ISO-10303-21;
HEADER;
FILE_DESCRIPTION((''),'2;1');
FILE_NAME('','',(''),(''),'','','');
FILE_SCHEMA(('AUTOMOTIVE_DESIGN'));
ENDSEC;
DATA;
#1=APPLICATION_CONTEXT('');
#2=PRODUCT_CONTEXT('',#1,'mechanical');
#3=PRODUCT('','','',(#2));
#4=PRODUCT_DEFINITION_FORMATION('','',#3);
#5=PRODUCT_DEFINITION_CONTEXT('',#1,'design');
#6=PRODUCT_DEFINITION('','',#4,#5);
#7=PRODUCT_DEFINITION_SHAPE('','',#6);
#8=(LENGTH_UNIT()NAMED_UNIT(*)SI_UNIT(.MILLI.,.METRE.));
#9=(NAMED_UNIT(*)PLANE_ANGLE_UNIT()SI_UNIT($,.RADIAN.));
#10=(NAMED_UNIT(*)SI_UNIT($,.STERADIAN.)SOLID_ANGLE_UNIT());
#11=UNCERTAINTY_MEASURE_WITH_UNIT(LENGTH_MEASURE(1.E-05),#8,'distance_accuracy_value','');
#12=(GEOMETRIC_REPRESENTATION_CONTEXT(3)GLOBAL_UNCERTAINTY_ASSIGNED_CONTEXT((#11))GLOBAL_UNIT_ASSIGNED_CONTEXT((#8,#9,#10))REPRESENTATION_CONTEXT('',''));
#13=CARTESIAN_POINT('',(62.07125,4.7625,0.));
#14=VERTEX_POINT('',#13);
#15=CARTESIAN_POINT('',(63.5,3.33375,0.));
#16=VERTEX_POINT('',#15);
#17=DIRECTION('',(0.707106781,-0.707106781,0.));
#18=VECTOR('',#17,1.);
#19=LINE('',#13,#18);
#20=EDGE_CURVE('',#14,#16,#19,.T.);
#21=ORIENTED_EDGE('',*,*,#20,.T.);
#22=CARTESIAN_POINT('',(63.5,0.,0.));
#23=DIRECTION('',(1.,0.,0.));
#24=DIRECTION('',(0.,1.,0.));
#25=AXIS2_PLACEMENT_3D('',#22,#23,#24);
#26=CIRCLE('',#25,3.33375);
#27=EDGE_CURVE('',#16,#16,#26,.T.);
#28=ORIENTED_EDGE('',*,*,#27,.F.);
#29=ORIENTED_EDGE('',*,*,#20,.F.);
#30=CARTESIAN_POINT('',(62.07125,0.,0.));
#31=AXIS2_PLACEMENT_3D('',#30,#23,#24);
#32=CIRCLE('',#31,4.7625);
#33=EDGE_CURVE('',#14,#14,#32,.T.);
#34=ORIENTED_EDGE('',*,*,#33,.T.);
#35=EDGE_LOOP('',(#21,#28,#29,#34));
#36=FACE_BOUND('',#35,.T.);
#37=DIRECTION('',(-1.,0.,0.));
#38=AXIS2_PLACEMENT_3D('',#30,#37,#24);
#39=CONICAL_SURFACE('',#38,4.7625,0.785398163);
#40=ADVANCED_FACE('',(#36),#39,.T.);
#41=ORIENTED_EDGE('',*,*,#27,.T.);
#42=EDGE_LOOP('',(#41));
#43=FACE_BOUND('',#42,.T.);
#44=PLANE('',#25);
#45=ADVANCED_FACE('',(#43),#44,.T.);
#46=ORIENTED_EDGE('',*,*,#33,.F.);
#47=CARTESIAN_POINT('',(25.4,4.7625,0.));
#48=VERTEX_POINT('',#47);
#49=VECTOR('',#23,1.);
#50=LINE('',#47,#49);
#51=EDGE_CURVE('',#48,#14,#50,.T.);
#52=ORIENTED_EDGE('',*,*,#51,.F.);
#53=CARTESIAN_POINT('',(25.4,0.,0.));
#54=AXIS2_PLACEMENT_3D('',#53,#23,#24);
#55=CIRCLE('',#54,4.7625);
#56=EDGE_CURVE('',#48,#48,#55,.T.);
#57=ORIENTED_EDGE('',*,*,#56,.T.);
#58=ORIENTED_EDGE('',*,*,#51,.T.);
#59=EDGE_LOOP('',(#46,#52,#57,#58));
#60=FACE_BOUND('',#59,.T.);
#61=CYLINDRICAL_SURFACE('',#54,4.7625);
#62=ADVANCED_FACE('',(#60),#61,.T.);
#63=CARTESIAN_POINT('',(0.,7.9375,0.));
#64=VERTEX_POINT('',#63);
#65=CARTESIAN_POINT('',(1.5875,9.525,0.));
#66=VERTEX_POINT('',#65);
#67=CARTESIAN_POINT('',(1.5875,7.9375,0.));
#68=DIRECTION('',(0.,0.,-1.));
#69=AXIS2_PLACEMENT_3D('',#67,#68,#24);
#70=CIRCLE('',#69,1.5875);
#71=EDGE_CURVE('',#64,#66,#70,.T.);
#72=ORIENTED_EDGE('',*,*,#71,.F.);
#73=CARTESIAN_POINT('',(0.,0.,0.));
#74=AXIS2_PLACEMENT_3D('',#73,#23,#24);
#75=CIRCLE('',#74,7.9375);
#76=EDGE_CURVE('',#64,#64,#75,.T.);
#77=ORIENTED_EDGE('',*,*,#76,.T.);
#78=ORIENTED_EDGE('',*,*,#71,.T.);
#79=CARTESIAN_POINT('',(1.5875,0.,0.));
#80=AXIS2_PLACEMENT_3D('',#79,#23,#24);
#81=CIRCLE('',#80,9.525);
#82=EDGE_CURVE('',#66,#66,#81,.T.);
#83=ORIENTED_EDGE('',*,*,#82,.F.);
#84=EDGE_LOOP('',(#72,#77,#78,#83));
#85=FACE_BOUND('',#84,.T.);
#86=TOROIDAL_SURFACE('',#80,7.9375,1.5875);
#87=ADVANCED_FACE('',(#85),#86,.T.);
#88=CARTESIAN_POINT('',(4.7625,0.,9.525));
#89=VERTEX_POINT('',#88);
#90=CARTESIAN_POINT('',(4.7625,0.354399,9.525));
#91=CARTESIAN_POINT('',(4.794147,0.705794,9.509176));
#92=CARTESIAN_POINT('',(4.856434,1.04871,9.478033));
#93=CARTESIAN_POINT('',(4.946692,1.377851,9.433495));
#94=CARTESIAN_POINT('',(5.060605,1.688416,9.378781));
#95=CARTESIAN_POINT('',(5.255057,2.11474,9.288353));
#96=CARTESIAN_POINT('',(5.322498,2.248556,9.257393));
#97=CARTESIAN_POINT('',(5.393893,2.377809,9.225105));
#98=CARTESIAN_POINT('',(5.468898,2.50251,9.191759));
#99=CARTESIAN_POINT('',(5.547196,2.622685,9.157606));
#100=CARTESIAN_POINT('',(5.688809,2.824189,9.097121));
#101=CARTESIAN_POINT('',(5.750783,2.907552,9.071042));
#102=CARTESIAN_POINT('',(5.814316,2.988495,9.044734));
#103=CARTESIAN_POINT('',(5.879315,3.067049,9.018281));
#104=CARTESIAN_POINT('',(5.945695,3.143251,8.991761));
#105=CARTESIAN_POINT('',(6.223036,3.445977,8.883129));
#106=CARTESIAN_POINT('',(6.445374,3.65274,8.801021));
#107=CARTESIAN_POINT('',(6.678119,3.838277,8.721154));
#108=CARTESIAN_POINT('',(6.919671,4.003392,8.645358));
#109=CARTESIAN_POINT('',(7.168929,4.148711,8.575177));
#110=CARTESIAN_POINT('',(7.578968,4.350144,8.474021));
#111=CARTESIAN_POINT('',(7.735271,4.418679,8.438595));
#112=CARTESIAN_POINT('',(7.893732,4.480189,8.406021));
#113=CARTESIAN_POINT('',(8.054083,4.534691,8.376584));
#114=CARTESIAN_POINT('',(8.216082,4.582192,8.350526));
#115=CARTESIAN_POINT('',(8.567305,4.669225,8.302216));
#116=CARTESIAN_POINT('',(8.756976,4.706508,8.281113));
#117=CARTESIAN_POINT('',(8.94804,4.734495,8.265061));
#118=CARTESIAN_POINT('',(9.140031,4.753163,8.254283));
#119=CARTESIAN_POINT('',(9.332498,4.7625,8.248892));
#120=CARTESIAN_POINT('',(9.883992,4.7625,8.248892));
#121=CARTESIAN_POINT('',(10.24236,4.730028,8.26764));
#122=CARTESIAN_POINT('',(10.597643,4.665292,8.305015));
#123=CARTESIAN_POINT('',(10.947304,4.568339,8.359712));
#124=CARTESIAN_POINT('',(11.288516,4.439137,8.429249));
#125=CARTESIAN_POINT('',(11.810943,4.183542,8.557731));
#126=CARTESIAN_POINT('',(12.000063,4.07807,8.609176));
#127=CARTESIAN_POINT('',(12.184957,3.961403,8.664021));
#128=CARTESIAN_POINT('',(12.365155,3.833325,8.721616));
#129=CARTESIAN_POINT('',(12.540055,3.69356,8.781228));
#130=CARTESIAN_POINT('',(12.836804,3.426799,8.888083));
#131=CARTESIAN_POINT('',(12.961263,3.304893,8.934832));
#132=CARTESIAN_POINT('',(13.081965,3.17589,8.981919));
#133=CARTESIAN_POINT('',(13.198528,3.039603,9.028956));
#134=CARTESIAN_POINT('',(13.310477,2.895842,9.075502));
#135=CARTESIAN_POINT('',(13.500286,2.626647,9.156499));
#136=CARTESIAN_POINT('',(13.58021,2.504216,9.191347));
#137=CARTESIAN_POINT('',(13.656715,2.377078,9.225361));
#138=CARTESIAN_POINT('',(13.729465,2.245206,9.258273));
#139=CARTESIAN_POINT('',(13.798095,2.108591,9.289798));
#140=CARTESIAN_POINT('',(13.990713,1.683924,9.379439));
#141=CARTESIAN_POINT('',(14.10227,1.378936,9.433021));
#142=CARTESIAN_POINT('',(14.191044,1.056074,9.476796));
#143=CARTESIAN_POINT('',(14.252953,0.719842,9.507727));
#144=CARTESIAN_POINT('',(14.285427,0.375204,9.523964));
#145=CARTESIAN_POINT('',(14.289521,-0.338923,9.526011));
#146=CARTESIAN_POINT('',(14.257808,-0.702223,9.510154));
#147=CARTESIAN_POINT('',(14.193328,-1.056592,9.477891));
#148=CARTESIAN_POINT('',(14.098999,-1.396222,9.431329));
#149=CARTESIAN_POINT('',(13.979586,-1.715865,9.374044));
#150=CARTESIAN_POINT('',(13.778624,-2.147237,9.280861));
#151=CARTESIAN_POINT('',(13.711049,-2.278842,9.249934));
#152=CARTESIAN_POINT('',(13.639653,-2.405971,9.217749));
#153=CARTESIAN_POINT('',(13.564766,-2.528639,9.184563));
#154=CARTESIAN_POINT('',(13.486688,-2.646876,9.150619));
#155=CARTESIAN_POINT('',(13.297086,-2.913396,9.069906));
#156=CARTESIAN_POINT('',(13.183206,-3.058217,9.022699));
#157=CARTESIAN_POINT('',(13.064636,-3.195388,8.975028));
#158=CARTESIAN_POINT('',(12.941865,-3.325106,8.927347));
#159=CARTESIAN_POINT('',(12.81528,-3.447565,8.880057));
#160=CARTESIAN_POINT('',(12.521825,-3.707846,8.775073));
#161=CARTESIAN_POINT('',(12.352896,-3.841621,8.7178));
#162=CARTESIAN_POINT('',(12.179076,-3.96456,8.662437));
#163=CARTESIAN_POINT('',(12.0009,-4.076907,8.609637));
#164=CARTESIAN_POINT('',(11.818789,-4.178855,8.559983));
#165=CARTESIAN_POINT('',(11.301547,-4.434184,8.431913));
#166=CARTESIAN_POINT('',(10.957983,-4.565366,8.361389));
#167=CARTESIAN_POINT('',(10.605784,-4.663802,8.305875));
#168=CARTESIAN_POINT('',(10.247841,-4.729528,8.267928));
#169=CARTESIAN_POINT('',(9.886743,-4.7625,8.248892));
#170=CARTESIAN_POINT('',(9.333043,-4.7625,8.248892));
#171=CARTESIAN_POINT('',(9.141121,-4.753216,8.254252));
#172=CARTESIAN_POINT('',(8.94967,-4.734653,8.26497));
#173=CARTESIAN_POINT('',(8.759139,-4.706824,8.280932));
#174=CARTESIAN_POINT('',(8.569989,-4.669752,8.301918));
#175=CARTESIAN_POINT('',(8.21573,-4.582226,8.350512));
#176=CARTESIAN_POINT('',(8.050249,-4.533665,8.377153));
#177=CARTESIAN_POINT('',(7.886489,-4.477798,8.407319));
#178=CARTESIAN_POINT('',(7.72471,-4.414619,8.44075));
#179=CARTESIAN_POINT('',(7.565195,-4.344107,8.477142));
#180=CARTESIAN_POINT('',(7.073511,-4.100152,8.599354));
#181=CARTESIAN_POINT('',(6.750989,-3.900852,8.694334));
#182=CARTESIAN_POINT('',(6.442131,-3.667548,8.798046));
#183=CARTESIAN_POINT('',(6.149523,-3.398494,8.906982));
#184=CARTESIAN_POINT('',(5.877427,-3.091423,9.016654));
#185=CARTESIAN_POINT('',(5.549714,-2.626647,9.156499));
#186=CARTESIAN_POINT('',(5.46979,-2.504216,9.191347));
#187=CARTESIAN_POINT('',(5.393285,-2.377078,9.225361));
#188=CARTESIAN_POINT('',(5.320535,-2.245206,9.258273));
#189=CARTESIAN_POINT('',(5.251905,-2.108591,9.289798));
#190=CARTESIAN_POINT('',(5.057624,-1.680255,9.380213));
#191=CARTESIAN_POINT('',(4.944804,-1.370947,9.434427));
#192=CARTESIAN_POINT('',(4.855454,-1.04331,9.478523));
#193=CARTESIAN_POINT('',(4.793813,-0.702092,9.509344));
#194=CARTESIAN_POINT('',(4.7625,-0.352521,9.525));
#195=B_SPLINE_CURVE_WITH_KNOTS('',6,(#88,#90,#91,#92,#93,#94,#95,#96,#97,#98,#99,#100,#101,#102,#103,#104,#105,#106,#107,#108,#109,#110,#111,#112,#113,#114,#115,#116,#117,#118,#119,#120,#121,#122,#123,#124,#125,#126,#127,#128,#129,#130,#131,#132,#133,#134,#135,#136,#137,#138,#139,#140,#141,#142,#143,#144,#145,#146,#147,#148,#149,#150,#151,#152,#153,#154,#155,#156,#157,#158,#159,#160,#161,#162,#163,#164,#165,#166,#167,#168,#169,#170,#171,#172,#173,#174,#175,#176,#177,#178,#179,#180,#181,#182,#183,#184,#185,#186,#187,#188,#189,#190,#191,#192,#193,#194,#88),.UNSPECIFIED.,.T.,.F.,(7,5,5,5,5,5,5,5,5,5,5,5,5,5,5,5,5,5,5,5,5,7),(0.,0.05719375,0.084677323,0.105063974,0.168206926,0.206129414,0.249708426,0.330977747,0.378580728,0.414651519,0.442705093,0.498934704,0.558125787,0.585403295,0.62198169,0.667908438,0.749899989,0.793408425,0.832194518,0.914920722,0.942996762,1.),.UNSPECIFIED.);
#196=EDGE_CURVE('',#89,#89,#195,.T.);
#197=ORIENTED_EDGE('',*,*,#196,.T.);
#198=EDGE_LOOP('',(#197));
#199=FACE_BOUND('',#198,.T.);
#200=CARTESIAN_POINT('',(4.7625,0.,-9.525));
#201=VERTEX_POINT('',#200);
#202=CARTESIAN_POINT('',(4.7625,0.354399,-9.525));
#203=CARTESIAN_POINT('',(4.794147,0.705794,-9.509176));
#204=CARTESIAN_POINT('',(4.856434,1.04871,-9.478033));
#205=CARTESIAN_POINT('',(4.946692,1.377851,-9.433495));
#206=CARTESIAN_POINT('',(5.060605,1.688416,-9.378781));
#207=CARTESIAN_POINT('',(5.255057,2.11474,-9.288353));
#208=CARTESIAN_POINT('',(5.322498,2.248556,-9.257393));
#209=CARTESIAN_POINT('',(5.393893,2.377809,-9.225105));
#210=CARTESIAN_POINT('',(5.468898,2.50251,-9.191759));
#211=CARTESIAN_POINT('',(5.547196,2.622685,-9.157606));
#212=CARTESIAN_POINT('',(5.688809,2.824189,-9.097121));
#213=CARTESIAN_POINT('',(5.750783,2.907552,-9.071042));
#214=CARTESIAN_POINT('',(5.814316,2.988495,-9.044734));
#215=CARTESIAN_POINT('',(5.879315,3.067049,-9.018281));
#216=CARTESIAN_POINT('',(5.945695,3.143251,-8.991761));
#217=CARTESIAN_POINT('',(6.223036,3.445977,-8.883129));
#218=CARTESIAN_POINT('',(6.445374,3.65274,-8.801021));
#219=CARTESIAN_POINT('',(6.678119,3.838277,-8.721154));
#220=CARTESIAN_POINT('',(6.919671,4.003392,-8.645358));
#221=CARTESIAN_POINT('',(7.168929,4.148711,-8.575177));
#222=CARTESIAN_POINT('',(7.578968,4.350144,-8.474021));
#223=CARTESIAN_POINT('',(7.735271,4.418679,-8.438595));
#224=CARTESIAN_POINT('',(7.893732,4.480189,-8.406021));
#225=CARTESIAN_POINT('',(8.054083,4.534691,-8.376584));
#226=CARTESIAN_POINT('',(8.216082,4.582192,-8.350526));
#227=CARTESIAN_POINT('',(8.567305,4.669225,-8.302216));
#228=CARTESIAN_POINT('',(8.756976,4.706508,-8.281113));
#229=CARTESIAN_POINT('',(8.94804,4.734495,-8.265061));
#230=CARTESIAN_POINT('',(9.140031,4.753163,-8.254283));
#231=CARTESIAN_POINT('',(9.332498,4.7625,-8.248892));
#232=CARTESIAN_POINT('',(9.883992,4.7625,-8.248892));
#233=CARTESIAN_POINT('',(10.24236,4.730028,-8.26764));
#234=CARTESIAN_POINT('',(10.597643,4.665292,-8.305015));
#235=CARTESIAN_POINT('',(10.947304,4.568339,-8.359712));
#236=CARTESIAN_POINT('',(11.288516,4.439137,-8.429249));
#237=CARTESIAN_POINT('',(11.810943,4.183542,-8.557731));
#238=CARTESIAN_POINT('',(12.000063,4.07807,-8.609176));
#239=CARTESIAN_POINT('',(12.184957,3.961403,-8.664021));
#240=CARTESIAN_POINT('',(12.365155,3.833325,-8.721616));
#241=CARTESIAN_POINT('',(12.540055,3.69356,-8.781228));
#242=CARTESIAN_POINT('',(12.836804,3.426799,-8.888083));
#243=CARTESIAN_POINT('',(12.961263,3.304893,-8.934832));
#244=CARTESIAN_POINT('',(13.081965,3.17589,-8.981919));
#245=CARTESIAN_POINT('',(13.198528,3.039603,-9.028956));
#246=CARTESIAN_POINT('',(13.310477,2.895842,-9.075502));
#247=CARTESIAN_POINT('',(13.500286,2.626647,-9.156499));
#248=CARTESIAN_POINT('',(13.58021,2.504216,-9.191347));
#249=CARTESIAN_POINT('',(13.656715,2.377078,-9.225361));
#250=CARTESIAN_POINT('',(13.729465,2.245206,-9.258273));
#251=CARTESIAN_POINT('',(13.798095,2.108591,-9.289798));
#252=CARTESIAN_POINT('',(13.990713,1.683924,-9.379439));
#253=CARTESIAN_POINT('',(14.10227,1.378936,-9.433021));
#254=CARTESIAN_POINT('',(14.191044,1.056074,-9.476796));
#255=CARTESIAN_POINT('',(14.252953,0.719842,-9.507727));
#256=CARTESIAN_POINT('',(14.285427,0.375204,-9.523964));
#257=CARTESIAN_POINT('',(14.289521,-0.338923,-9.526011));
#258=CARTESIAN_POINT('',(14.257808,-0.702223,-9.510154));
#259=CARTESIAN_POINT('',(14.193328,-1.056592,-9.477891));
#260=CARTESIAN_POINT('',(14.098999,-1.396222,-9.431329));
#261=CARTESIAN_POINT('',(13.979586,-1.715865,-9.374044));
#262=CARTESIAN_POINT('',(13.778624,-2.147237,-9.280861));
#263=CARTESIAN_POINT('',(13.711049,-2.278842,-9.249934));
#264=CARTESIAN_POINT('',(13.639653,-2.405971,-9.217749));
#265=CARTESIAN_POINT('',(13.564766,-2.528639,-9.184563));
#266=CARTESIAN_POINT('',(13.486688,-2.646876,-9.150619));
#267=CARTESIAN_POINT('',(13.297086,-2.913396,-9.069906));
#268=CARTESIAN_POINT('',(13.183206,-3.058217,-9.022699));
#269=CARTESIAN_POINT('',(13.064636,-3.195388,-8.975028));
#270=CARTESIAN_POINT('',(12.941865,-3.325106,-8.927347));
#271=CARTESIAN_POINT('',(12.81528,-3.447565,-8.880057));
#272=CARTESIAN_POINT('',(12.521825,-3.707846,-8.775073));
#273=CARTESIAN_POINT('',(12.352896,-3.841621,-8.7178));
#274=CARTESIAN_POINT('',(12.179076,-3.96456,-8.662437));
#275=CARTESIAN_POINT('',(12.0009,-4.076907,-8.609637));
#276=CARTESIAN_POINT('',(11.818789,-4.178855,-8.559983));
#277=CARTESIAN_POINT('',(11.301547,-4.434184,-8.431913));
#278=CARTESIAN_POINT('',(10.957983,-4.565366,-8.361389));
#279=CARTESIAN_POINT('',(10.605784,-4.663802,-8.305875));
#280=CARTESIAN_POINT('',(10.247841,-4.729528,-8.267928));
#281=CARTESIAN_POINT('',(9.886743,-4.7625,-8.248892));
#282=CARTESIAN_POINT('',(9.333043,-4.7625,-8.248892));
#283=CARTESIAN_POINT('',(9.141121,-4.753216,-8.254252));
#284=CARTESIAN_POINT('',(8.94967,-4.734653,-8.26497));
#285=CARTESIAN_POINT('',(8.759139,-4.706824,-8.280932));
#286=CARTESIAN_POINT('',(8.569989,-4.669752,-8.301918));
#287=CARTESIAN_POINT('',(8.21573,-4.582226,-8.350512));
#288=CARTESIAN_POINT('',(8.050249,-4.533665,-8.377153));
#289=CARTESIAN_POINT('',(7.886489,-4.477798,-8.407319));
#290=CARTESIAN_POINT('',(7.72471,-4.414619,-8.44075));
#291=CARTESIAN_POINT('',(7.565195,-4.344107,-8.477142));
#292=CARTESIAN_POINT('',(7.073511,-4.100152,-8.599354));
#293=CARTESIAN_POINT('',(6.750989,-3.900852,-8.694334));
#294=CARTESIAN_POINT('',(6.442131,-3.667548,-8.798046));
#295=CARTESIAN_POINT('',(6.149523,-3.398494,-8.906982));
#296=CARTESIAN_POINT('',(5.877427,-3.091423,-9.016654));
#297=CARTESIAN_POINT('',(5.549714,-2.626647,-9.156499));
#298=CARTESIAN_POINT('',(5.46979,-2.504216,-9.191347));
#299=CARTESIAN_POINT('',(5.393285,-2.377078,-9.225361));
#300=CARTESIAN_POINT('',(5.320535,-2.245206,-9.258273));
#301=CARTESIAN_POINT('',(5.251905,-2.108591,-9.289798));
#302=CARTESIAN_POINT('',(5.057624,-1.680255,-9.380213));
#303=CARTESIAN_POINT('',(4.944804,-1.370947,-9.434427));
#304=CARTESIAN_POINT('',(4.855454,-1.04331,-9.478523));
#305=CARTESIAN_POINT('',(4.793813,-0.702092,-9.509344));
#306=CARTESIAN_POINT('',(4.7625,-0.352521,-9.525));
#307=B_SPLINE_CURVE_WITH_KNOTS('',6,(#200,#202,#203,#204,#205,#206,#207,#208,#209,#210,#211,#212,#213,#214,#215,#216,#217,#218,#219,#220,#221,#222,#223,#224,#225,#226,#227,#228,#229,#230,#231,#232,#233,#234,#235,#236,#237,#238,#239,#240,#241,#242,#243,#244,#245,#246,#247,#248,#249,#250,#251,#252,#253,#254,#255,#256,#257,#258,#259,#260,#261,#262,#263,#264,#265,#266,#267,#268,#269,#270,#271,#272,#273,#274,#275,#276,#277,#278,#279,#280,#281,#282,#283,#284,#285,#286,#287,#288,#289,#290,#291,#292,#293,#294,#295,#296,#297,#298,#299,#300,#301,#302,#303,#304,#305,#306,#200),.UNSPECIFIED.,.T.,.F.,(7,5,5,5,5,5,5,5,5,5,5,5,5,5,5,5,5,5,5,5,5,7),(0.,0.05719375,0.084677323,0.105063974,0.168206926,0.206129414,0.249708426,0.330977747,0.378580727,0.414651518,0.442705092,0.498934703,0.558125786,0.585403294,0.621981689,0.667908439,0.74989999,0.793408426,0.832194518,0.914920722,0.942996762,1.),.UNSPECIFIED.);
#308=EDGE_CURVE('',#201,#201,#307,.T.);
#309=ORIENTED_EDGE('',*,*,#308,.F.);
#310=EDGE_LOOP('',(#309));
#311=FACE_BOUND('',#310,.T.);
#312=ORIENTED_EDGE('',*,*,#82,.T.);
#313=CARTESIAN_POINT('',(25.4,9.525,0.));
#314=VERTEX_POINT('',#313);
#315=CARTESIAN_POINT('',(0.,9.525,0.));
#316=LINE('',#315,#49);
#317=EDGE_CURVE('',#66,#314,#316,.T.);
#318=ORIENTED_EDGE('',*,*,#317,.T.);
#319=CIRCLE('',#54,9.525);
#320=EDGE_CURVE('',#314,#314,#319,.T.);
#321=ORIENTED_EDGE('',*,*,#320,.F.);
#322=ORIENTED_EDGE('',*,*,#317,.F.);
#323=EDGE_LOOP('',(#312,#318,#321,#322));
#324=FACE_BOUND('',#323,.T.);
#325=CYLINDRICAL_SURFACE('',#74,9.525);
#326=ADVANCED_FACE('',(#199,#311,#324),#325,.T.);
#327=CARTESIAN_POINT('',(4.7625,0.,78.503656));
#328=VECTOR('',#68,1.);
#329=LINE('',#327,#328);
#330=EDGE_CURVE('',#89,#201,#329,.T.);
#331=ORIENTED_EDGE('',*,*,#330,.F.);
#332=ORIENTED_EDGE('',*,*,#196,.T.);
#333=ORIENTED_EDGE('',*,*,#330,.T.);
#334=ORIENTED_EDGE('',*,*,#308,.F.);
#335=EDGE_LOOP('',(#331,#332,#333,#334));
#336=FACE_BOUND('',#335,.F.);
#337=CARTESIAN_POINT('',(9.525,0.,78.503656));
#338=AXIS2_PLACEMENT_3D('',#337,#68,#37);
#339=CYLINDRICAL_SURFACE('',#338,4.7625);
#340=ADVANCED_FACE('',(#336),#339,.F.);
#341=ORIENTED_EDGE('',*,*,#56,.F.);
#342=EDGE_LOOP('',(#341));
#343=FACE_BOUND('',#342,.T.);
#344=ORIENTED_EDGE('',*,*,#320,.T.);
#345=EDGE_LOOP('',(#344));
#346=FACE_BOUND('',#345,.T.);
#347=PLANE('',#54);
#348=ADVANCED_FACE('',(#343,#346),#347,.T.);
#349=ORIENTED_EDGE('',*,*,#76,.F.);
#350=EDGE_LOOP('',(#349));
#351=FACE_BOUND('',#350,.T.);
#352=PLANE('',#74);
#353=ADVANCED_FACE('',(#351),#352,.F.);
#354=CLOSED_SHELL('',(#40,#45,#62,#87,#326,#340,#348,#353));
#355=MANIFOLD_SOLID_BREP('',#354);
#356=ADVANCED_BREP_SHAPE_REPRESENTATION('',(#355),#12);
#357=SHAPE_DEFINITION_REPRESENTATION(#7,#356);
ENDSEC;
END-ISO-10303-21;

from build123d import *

# Parameters (mm, degrees)
F_3_8_0_3750_DOWEL_HOLE1_D = 9.525
FILLET2_R                  = 1.5875
CHAMFER3_SIZE              = 1.42875


with BuildPart() as part:
    # Sketch1 → Revolve1 (revolve)
    with BuildSketch(Plane.XY):
        Polygon((0, 0), (0, 9.525), (25.4, 9.525), (25.4, 4.7625), (63.5, 4.7625), (63.5, 0), align=None)
    revolve(axis=Axis((0, 0, 0), (1, 0, 0)))

    # 3/8 (0.3750) Dowel Hole1 (through all)
    with Locations(Plane.XY.offset(9.525)):
        with Locations((9.525, 0)):
            Hole(F_3_8_0_3750_DOWEL_HOLE1_D / 2)

    # Fillet2
    fillet2_edges = [part.edges().sort_by_distance(p)[0] for p in [
        (0, -9.525, 0),
    ]]
    fillet(fillet2_edges, radius=FILLET2_R)

    # Chamfer3
    chamfer3_edges = [part.edges().sort_by_distance(p)[0] for p in [
        (63.5, -4.7625, 0),
    ]]
    chamfer(chamfer3_edges, length=CHAMFER3_SIZE)


solid = part.part
